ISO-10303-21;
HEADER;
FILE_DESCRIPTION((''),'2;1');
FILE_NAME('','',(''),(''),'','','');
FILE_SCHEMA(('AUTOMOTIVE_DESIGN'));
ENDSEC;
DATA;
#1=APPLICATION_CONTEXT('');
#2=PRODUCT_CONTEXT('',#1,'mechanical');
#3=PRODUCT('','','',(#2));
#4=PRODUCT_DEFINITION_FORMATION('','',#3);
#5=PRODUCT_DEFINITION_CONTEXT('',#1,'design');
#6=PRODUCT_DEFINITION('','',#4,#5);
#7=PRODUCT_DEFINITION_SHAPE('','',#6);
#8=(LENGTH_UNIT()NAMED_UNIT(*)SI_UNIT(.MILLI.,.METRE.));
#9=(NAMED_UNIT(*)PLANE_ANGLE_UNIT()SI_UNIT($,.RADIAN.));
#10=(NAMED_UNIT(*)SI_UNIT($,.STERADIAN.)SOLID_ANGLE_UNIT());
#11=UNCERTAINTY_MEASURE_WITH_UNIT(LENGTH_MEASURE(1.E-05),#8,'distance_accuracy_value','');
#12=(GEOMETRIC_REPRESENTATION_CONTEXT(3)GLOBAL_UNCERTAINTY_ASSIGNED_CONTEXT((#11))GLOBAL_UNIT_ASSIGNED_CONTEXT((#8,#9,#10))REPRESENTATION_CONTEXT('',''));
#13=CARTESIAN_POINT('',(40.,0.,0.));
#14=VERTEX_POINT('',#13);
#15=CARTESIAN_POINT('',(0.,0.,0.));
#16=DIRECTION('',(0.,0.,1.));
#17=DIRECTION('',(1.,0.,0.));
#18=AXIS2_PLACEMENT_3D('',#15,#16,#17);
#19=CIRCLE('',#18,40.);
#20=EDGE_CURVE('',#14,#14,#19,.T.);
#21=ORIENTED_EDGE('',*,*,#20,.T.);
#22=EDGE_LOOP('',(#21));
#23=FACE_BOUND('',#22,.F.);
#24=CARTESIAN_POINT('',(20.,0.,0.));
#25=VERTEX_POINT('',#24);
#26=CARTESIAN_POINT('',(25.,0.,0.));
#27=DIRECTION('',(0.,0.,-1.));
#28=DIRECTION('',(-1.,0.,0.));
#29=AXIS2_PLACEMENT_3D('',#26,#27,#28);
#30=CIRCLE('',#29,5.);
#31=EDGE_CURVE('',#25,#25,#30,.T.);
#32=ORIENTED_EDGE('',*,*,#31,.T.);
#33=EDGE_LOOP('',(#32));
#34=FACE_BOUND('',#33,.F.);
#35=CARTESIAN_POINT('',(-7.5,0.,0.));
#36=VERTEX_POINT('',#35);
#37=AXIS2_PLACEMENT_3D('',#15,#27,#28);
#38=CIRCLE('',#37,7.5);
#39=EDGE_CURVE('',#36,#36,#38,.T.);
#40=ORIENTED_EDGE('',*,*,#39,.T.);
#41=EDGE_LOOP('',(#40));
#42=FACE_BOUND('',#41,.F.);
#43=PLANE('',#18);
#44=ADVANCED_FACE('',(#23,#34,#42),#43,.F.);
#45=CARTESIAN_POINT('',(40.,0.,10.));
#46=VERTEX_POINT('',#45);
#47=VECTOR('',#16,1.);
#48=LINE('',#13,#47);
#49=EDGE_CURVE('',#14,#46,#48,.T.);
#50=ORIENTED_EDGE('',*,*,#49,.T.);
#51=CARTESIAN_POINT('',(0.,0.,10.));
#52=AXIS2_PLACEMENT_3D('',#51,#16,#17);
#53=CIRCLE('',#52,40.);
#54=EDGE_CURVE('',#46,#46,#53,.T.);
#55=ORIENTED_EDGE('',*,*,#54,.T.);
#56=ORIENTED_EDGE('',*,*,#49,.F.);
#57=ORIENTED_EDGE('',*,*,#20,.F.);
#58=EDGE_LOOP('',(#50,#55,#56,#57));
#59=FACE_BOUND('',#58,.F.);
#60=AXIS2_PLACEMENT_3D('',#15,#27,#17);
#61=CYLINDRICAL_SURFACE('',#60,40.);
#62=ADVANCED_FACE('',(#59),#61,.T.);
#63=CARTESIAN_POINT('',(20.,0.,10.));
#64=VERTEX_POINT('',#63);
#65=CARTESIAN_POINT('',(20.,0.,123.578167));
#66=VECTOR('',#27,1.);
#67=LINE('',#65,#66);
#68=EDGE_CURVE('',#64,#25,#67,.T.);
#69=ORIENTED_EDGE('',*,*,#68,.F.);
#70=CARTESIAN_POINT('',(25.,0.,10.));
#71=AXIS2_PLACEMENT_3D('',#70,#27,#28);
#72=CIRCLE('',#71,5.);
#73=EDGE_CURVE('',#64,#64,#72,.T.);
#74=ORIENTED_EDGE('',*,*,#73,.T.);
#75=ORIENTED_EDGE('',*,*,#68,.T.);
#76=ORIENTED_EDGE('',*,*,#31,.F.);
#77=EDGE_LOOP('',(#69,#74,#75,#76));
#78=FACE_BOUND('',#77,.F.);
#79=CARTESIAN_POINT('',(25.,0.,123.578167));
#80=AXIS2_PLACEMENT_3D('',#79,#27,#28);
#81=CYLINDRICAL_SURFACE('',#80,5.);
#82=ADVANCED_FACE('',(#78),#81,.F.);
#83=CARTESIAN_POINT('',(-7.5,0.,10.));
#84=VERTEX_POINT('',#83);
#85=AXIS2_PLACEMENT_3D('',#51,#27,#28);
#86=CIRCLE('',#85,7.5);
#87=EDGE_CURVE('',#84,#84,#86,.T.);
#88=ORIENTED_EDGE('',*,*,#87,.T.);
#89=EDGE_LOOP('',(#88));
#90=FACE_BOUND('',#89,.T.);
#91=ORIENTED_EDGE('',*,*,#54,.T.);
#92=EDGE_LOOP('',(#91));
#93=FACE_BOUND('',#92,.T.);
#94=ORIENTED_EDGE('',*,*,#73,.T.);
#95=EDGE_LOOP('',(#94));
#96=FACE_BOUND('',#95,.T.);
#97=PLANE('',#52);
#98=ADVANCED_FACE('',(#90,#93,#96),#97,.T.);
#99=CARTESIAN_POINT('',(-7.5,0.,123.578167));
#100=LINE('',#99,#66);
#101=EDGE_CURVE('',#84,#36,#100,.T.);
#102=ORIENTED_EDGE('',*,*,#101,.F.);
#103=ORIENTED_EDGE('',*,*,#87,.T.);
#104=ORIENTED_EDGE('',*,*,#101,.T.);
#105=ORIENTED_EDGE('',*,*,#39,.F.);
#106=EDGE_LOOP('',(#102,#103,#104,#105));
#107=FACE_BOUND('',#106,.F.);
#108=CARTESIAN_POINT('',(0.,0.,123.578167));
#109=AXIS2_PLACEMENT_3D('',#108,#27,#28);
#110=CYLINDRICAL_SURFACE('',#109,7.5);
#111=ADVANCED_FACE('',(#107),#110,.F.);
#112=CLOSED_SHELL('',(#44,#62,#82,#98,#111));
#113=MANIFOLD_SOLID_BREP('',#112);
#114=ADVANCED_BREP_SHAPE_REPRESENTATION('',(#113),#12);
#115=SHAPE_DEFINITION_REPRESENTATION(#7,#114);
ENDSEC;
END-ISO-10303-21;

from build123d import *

# Parameters (mm, degrees)
F0_R     = 40
F1_DEPTH = 10
F4_D     = 10
F5_D     = 15


with BuildPart() as f1:
    # F0 (on Top) → F1 (new body)
    with BuildSketch(Plane.XY):
        Circle(F0_R)
    extrude(amount=F1_DEPTH)

    # F4 (through all)
    with Locations(Plane.XY.offset(10)):
        with Locations((25, 0)):
            Hole(F4_D / 2)

    # F5 (through all)
    with Locations(Plane.XY.offset(10)):
        with Locations((0, 0)):
            Hole(F5_D / 2)


solid = f1.part
